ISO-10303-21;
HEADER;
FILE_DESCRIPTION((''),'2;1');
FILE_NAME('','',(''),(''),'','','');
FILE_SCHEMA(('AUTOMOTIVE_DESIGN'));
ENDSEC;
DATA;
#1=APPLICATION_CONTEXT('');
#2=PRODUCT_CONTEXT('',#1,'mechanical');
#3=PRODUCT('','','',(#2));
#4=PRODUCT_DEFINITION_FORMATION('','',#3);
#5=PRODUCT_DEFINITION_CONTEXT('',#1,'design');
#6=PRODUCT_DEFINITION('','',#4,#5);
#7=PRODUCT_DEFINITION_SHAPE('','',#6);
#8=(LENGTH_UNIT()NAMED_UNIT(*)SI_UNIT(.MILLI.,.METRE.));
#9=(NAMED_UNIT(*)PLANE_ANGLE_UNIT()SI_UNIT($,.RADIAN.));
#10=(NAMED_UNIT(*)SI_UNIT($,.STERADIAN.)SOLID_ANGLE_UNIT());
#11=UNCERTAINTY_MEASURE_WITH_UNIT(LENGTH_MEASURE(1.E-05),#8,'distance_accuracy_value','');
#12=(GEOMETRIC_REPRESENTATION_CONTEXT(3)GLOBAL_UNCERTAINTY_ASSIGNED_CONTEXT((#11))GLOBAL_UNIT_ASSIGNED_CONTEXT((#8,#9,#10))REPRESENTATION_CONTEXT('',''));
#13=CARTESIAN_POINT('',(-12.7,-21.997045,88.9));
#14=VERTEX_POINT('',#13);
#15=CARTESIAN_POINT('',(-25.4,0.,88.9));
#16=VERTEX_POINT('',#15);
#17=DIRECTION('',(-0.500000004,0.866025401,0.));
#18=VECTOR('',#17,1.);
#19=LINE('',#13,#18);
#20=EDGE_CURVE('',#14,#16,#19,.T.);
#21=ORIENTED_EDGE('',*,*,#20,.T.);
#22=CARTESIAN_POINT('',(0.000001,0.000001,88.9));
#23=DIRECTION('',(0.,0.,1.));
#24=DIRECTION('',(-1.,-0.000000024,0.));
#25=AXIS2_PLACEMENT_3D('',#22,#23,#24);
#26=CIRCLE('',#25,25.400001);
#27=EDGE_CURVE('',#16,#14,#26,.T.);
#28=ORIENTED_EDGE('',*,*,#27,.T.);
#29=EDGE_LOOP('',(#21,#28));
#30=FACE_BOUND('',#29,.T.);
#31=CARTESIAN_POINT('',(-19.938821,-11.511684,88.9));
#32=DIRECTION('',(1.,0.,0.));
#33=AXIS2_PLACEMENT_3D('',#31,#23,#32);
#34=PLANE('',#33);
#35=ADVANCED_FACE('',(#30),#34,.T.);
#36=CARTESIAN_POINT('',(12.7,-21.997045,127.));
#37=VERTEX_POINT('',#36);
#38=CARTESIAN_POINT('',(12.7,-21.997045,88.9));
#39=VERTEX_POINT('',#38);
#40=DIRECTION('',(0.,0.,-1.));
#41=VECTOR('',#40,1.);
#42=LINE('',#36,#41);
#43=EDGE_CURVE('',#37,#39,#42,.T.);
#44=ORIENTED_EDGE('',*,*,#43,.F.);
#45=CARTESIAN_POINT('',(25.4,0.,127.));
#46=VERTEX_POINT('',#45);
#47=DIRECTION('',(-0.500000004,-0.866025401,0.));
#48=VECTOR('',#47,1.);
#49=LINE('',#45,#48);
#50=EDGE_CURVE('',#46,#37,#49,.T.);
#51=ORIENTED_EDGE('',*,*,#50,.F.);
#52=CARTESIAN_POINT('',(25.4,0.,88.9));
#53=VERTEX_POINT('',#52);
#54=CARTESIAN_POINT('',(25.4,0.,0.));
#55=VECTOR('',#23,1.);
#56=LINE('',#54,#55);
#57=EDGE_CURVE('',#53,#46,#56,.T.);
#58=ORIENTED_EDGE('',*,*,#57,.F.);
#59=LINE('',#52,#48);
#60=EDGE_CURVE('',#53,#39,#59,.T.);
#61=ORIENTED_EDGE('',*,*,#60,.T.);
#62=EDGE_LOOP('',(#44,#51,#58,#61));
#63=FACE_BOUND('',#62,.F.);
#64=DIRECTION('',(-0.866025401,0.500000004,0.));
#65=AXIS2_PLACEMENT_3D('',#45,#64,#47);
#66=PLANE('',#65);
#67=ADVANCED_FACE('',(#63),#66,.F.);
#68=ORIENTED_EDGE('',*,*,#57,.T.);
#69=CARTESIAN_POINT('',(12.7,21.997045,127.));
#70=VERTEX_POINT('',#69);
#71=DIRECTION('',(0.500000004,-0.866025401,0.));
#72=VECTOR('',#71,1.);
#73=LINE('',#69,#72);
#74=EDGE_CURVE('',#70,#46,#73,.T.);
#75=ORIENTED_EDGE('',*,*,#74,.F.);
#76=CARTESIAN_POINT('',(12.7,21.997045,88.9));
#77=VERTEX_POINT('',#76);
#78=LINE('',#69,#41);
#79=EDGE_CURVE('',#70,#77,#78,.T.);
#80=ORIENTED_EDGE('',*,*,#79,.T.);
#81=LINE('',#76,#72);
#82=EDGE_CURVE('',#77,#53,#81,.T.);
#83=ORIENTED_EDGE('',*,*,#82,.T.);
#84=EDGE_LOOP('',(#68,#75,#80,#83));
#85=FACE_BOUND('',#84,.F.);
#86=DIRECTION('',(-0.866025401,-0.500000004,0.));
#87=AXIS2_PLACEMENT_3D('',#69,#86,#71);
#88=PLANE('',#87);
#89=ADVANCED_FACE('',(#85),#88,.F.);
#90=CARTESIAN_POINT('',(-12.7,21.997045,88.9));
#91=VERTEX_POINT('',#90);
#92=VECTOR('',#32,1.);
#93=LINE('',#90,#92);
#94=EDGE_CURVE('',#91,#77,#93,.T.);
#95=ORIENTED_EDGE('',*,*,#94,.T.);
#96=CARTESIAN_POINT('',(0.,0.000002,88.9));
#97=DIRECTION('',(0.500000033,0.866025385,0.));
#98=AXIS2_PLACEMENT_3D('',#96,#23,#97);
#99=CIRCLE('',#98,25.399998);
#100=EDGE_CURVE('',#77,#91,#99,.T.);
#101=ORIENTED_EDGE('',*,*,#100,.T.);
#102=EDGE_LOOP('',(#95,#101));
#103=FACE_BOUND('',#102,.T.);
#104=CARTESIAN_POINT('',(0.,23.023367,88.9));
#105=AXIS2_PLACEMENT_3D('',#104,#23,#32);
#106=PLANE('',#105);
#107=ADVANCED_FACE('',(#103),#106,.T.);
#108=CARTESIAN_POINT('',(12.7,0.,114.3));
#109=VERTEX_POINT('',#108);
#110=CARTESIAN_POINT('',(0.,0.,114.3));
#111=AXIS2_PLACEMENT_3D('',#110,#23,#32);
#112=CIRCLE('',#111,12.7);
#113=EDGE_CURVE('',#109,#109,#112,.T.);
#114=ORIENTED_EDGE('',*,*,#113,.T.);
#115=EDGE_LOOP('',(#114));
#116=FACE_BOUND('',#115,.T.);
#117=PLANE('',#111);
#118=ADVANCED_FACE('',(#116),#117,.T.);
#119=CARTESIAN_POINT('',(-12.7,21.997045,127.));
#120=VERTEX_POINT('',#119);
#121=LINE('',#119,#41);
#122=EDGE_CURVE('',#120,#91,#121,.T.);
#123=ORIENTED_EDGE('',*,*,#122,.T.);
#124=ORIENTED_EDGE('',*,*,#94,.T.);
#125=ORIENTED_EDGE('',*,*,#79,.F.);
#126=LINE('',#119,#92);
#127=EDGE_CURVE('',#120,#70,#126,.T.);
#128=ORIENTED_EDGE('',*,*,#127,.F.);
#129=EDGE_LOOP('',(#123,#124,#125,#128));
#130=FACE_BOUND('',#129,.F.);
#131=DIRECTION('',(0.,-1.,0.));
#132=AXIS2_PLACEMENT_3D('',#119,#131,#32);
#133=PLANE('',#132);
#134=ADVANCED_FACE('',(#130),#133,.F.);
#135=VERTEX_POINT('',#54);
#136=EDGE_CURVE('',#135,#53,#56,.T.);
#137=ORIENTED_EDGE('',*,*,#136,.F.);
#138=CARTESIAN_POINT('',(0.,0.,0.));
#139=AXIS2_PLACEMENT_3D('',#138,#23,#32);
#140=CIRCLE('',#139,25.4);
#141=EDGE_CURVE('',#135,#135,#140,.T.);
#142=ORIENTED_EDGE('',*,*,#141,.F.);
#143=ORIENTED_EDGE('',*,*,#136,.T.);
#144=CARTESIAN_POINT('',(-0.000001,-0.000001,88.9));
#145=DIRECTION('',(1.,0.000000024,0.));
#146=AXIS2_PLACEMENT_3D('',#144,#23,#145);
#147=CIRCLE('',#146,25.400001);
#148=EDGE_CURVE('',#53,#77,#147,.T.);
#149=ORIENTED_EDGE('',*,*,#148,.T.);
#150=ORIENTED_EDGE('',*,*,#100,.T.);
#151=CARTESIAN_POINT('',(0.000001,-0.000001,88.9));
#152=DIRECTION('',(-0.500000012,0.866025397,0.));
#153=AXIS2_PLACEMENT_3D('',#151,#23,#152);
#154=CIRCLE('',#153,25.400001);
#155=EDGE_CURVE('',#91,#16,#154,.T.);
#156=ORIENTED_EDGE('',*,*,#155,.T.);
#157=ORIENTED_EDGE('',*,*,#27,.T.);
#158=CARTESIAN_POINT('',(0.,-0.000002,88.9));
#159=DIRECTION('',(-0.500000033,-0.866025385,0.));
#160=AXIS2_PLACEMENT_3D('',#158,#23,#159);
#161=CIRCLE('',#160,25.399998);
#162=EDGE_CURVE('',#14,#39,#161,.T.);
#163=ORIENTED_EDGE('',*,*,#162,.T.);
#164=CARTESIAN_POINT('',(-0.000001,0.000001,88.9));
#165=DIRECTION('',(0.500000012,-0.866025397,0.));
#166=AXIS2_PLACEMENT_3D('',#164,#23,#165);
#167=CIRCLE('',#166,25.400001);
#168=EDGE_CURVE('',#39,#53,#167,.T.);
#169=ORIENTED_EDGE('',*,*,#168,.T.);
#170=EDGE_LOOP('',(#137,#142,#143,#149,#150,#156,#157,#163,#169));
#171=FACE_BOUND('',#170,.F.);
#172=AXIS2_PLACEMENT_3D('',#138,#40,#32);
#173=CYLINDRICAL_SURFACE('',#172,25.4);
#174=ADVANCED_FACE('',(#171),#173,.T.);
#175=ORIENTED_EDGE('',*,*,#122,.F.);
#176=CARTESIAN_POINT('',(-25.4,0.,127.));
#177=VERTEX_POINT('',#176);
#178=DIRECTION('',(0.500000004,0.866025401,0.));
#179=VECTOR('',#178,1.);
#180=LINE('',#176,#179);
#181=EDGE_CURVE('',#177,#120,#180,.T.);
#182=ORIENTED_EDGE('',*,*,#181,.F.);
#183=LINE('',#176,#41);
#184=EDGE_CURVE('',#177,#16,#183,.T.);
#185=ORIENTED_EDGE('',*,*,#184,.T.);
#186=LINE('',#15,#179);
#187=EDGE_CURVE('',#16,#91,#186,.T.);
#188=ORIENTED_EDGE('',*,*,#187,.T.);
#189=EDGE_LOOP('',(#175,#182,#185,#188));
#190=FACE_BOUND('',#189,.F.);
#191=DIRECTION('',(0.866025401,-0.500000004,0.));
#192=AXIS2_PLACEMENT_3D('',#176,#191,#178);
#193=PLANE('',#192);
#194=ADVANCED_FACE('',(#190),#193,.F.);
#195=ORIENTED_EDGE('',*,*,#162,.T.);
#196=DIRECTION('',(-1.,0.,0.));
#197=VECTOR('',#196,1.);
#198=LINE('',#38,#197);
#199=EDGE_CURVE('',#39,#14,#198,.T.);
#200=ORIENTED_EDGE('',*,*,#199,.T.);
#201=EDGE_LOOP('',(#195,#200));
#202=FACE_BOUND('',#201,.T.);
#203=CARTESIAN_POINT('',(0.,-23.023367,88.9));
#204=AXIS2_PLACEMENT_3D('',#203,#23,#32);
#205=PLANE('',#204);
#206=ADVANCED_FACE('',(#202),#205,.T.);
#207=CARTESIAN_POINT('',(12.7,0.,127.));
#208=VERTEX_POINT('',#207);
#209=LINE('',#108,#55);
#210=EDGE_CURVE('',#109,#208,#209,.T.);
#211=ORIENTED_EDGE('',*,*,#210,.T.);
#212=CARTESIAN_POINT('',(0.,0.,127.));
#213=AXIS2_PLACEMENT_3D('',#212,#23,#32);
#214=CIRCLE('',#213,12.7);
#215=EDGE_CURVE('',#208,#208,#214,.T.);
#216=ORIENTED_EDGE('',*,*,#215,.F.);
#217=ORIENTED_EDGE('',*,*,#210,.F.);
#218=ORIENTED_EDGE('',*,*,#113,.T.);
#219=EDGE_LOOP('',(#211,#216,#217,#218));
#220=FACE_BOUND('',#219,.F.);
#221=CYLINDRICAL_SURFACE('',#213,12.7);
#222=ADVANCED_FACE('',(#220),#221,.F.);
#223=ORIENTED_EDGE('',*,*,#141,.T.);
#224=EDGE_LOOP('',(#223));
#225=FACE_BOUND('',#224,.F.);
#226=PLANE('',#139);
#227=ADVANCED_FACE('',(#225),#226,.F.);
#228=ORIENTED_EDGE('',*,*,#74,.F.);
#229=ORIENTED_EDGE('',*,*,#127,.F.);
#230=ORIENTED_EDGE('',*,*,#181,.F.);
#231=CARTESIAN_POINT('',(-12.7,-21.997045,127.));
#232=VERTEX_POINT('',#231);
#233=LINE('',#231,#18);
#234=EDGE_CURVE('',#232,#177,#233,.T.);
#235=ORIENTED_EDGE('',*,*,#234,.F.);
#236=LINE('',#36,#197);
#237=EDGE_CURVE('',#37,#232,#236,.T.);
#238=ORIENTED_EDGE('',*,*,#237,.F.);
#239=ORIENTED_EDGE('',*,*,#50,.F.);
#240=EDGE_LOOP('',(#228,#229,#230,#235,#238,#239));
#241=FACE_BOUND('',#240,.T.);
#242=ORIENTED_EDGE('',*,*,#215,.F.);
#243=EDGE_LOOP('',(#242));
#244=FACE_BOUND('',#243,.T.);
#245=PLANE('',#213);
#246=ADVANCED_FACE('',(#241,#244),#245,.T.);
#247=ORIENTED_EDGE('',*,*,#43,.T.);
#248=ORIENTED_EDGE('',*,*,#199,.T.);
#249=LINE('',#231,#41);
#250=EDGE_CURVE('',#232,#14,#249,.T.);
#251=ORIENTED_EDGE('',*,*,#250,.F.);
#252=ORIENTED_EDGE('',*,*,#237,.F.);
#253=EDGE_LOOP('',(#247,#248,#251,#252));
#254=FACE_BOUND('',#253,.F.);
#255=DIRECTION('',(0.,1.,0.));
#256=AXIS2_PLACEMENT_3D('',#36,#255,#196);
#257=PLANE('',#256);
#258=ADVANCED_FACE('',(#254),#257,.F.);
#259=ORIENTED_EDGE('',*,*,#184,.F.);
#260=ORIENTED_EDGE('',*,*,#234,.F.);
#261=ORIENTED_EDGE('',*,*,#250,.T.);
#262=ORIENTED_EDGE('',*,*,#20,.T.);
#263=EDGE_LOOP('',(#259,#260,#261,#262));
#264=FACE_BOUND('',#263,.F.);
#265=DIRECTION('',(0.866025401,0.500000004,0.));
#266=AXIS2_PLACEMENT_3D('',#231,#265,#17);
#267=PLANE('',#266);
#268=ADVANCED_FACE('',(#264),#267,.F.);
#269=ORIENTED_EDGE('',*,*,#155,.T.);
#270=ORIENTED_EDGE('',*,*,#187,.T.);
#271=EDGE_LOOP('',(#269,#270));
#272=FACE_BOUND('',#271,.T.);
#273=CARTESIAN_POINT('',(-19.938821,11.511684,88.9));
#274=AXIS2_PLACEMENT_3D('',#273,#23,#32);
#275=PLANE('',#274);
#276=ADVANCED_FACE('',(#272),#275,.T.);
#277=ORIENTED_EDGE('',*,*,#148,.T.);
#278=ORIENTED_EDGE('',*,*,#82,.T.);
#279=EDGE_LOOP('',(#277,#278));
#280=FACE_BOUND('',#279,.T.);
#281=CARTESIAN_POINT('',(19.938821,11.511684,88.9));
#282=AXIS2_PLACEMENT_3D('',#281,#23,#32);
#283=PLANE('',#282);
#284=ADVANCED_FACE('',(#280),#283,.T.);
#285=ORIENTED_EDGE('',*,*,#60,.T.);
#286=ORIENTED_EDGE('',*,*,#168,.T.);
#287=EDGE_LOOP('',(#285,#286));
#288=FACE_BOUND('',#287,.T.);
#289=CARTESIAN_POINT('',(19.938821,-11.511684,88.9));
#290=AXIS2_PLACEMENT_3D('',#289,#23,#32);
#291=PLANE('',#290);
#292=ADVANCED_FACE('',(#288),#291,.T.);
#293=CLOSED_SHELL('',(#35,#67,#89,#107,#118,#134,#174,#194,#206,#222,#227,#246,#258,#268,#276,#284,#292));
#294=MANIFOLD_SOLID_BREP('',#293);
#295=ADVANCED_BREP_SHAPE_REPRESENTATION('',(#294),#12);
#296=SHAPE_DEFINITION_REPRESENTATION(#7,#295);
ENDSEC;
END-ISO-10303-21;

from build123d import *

# Parameters (mm, degrees)
F0_R     = 25.4
F1_DEPTH = 127
F3_DEPTH = 38.1
F4_R     = 12.7
F5_DEPTH = 12.7


with BuildPart() as f1:
    # F0 (on Top) → F1 (new body)
    with BuildSketch(Plane.XY):
        Circle(F0_R)
    extrude(amount=F1_DEPTH)

    # F2 (on face) → F3 (cut)
    with BuildSketch(Plane.XY.offset(127)):
        with BuildLine():
            ThreePointArc((-25.4, 0), (-21.997045, -12.7), (-12.7, -21.997045))
            Line((-12.7, -21.997045), (-25.4, 0))
        make_face()
        with BuildLine():
            ThreePointArc((-12.7, -21.997045), (0, -25.4), (12.7, -21.997045))
            Line((12.7, -21.997045), (-12.7, -21.997045))
        make_face()
        with BuildLine():
            ThreePointArc((12.7, -21.997045), (21.997045, -12.7), (25.4, 0))
            Line((25.4, 0), (12.7, -21.997045))
        make_face()
        with BuildLine():
            Line((12.7, 21.997045), (25.4, 0))
            ThreePointArc((25.4, 0), (21.997045, 12.7), (12.7, 21.997045))
        make_face()
        with BuildLine():
            Line((-12.7, 21.997045), (12.7, 21.997045))
            ThreePointArc((12.7, 21.997045), (0, 25.4), (-12.7, 21.997045))
        make_face()
        with BuildLine():
            Line((-25.4, 0), (-12.7, 21.997045))
            ThreePointArc((-12.7, 21.997045), (-21.997045, 12.7), (-25.4, 0))
        make_face()
    extrude(amount=-F3_DEPTH, mode=Mode.SUBTRACT)

    # F4 (on face) → F5 (cut, symmetric)
    with BuildSketch(Plane.XY.offset(127)):
        Circle(F4_R)
    extrude(amount=F5_DEPTH, both=True, mode=Mode.SUBTRACT)


solid = f1.part
